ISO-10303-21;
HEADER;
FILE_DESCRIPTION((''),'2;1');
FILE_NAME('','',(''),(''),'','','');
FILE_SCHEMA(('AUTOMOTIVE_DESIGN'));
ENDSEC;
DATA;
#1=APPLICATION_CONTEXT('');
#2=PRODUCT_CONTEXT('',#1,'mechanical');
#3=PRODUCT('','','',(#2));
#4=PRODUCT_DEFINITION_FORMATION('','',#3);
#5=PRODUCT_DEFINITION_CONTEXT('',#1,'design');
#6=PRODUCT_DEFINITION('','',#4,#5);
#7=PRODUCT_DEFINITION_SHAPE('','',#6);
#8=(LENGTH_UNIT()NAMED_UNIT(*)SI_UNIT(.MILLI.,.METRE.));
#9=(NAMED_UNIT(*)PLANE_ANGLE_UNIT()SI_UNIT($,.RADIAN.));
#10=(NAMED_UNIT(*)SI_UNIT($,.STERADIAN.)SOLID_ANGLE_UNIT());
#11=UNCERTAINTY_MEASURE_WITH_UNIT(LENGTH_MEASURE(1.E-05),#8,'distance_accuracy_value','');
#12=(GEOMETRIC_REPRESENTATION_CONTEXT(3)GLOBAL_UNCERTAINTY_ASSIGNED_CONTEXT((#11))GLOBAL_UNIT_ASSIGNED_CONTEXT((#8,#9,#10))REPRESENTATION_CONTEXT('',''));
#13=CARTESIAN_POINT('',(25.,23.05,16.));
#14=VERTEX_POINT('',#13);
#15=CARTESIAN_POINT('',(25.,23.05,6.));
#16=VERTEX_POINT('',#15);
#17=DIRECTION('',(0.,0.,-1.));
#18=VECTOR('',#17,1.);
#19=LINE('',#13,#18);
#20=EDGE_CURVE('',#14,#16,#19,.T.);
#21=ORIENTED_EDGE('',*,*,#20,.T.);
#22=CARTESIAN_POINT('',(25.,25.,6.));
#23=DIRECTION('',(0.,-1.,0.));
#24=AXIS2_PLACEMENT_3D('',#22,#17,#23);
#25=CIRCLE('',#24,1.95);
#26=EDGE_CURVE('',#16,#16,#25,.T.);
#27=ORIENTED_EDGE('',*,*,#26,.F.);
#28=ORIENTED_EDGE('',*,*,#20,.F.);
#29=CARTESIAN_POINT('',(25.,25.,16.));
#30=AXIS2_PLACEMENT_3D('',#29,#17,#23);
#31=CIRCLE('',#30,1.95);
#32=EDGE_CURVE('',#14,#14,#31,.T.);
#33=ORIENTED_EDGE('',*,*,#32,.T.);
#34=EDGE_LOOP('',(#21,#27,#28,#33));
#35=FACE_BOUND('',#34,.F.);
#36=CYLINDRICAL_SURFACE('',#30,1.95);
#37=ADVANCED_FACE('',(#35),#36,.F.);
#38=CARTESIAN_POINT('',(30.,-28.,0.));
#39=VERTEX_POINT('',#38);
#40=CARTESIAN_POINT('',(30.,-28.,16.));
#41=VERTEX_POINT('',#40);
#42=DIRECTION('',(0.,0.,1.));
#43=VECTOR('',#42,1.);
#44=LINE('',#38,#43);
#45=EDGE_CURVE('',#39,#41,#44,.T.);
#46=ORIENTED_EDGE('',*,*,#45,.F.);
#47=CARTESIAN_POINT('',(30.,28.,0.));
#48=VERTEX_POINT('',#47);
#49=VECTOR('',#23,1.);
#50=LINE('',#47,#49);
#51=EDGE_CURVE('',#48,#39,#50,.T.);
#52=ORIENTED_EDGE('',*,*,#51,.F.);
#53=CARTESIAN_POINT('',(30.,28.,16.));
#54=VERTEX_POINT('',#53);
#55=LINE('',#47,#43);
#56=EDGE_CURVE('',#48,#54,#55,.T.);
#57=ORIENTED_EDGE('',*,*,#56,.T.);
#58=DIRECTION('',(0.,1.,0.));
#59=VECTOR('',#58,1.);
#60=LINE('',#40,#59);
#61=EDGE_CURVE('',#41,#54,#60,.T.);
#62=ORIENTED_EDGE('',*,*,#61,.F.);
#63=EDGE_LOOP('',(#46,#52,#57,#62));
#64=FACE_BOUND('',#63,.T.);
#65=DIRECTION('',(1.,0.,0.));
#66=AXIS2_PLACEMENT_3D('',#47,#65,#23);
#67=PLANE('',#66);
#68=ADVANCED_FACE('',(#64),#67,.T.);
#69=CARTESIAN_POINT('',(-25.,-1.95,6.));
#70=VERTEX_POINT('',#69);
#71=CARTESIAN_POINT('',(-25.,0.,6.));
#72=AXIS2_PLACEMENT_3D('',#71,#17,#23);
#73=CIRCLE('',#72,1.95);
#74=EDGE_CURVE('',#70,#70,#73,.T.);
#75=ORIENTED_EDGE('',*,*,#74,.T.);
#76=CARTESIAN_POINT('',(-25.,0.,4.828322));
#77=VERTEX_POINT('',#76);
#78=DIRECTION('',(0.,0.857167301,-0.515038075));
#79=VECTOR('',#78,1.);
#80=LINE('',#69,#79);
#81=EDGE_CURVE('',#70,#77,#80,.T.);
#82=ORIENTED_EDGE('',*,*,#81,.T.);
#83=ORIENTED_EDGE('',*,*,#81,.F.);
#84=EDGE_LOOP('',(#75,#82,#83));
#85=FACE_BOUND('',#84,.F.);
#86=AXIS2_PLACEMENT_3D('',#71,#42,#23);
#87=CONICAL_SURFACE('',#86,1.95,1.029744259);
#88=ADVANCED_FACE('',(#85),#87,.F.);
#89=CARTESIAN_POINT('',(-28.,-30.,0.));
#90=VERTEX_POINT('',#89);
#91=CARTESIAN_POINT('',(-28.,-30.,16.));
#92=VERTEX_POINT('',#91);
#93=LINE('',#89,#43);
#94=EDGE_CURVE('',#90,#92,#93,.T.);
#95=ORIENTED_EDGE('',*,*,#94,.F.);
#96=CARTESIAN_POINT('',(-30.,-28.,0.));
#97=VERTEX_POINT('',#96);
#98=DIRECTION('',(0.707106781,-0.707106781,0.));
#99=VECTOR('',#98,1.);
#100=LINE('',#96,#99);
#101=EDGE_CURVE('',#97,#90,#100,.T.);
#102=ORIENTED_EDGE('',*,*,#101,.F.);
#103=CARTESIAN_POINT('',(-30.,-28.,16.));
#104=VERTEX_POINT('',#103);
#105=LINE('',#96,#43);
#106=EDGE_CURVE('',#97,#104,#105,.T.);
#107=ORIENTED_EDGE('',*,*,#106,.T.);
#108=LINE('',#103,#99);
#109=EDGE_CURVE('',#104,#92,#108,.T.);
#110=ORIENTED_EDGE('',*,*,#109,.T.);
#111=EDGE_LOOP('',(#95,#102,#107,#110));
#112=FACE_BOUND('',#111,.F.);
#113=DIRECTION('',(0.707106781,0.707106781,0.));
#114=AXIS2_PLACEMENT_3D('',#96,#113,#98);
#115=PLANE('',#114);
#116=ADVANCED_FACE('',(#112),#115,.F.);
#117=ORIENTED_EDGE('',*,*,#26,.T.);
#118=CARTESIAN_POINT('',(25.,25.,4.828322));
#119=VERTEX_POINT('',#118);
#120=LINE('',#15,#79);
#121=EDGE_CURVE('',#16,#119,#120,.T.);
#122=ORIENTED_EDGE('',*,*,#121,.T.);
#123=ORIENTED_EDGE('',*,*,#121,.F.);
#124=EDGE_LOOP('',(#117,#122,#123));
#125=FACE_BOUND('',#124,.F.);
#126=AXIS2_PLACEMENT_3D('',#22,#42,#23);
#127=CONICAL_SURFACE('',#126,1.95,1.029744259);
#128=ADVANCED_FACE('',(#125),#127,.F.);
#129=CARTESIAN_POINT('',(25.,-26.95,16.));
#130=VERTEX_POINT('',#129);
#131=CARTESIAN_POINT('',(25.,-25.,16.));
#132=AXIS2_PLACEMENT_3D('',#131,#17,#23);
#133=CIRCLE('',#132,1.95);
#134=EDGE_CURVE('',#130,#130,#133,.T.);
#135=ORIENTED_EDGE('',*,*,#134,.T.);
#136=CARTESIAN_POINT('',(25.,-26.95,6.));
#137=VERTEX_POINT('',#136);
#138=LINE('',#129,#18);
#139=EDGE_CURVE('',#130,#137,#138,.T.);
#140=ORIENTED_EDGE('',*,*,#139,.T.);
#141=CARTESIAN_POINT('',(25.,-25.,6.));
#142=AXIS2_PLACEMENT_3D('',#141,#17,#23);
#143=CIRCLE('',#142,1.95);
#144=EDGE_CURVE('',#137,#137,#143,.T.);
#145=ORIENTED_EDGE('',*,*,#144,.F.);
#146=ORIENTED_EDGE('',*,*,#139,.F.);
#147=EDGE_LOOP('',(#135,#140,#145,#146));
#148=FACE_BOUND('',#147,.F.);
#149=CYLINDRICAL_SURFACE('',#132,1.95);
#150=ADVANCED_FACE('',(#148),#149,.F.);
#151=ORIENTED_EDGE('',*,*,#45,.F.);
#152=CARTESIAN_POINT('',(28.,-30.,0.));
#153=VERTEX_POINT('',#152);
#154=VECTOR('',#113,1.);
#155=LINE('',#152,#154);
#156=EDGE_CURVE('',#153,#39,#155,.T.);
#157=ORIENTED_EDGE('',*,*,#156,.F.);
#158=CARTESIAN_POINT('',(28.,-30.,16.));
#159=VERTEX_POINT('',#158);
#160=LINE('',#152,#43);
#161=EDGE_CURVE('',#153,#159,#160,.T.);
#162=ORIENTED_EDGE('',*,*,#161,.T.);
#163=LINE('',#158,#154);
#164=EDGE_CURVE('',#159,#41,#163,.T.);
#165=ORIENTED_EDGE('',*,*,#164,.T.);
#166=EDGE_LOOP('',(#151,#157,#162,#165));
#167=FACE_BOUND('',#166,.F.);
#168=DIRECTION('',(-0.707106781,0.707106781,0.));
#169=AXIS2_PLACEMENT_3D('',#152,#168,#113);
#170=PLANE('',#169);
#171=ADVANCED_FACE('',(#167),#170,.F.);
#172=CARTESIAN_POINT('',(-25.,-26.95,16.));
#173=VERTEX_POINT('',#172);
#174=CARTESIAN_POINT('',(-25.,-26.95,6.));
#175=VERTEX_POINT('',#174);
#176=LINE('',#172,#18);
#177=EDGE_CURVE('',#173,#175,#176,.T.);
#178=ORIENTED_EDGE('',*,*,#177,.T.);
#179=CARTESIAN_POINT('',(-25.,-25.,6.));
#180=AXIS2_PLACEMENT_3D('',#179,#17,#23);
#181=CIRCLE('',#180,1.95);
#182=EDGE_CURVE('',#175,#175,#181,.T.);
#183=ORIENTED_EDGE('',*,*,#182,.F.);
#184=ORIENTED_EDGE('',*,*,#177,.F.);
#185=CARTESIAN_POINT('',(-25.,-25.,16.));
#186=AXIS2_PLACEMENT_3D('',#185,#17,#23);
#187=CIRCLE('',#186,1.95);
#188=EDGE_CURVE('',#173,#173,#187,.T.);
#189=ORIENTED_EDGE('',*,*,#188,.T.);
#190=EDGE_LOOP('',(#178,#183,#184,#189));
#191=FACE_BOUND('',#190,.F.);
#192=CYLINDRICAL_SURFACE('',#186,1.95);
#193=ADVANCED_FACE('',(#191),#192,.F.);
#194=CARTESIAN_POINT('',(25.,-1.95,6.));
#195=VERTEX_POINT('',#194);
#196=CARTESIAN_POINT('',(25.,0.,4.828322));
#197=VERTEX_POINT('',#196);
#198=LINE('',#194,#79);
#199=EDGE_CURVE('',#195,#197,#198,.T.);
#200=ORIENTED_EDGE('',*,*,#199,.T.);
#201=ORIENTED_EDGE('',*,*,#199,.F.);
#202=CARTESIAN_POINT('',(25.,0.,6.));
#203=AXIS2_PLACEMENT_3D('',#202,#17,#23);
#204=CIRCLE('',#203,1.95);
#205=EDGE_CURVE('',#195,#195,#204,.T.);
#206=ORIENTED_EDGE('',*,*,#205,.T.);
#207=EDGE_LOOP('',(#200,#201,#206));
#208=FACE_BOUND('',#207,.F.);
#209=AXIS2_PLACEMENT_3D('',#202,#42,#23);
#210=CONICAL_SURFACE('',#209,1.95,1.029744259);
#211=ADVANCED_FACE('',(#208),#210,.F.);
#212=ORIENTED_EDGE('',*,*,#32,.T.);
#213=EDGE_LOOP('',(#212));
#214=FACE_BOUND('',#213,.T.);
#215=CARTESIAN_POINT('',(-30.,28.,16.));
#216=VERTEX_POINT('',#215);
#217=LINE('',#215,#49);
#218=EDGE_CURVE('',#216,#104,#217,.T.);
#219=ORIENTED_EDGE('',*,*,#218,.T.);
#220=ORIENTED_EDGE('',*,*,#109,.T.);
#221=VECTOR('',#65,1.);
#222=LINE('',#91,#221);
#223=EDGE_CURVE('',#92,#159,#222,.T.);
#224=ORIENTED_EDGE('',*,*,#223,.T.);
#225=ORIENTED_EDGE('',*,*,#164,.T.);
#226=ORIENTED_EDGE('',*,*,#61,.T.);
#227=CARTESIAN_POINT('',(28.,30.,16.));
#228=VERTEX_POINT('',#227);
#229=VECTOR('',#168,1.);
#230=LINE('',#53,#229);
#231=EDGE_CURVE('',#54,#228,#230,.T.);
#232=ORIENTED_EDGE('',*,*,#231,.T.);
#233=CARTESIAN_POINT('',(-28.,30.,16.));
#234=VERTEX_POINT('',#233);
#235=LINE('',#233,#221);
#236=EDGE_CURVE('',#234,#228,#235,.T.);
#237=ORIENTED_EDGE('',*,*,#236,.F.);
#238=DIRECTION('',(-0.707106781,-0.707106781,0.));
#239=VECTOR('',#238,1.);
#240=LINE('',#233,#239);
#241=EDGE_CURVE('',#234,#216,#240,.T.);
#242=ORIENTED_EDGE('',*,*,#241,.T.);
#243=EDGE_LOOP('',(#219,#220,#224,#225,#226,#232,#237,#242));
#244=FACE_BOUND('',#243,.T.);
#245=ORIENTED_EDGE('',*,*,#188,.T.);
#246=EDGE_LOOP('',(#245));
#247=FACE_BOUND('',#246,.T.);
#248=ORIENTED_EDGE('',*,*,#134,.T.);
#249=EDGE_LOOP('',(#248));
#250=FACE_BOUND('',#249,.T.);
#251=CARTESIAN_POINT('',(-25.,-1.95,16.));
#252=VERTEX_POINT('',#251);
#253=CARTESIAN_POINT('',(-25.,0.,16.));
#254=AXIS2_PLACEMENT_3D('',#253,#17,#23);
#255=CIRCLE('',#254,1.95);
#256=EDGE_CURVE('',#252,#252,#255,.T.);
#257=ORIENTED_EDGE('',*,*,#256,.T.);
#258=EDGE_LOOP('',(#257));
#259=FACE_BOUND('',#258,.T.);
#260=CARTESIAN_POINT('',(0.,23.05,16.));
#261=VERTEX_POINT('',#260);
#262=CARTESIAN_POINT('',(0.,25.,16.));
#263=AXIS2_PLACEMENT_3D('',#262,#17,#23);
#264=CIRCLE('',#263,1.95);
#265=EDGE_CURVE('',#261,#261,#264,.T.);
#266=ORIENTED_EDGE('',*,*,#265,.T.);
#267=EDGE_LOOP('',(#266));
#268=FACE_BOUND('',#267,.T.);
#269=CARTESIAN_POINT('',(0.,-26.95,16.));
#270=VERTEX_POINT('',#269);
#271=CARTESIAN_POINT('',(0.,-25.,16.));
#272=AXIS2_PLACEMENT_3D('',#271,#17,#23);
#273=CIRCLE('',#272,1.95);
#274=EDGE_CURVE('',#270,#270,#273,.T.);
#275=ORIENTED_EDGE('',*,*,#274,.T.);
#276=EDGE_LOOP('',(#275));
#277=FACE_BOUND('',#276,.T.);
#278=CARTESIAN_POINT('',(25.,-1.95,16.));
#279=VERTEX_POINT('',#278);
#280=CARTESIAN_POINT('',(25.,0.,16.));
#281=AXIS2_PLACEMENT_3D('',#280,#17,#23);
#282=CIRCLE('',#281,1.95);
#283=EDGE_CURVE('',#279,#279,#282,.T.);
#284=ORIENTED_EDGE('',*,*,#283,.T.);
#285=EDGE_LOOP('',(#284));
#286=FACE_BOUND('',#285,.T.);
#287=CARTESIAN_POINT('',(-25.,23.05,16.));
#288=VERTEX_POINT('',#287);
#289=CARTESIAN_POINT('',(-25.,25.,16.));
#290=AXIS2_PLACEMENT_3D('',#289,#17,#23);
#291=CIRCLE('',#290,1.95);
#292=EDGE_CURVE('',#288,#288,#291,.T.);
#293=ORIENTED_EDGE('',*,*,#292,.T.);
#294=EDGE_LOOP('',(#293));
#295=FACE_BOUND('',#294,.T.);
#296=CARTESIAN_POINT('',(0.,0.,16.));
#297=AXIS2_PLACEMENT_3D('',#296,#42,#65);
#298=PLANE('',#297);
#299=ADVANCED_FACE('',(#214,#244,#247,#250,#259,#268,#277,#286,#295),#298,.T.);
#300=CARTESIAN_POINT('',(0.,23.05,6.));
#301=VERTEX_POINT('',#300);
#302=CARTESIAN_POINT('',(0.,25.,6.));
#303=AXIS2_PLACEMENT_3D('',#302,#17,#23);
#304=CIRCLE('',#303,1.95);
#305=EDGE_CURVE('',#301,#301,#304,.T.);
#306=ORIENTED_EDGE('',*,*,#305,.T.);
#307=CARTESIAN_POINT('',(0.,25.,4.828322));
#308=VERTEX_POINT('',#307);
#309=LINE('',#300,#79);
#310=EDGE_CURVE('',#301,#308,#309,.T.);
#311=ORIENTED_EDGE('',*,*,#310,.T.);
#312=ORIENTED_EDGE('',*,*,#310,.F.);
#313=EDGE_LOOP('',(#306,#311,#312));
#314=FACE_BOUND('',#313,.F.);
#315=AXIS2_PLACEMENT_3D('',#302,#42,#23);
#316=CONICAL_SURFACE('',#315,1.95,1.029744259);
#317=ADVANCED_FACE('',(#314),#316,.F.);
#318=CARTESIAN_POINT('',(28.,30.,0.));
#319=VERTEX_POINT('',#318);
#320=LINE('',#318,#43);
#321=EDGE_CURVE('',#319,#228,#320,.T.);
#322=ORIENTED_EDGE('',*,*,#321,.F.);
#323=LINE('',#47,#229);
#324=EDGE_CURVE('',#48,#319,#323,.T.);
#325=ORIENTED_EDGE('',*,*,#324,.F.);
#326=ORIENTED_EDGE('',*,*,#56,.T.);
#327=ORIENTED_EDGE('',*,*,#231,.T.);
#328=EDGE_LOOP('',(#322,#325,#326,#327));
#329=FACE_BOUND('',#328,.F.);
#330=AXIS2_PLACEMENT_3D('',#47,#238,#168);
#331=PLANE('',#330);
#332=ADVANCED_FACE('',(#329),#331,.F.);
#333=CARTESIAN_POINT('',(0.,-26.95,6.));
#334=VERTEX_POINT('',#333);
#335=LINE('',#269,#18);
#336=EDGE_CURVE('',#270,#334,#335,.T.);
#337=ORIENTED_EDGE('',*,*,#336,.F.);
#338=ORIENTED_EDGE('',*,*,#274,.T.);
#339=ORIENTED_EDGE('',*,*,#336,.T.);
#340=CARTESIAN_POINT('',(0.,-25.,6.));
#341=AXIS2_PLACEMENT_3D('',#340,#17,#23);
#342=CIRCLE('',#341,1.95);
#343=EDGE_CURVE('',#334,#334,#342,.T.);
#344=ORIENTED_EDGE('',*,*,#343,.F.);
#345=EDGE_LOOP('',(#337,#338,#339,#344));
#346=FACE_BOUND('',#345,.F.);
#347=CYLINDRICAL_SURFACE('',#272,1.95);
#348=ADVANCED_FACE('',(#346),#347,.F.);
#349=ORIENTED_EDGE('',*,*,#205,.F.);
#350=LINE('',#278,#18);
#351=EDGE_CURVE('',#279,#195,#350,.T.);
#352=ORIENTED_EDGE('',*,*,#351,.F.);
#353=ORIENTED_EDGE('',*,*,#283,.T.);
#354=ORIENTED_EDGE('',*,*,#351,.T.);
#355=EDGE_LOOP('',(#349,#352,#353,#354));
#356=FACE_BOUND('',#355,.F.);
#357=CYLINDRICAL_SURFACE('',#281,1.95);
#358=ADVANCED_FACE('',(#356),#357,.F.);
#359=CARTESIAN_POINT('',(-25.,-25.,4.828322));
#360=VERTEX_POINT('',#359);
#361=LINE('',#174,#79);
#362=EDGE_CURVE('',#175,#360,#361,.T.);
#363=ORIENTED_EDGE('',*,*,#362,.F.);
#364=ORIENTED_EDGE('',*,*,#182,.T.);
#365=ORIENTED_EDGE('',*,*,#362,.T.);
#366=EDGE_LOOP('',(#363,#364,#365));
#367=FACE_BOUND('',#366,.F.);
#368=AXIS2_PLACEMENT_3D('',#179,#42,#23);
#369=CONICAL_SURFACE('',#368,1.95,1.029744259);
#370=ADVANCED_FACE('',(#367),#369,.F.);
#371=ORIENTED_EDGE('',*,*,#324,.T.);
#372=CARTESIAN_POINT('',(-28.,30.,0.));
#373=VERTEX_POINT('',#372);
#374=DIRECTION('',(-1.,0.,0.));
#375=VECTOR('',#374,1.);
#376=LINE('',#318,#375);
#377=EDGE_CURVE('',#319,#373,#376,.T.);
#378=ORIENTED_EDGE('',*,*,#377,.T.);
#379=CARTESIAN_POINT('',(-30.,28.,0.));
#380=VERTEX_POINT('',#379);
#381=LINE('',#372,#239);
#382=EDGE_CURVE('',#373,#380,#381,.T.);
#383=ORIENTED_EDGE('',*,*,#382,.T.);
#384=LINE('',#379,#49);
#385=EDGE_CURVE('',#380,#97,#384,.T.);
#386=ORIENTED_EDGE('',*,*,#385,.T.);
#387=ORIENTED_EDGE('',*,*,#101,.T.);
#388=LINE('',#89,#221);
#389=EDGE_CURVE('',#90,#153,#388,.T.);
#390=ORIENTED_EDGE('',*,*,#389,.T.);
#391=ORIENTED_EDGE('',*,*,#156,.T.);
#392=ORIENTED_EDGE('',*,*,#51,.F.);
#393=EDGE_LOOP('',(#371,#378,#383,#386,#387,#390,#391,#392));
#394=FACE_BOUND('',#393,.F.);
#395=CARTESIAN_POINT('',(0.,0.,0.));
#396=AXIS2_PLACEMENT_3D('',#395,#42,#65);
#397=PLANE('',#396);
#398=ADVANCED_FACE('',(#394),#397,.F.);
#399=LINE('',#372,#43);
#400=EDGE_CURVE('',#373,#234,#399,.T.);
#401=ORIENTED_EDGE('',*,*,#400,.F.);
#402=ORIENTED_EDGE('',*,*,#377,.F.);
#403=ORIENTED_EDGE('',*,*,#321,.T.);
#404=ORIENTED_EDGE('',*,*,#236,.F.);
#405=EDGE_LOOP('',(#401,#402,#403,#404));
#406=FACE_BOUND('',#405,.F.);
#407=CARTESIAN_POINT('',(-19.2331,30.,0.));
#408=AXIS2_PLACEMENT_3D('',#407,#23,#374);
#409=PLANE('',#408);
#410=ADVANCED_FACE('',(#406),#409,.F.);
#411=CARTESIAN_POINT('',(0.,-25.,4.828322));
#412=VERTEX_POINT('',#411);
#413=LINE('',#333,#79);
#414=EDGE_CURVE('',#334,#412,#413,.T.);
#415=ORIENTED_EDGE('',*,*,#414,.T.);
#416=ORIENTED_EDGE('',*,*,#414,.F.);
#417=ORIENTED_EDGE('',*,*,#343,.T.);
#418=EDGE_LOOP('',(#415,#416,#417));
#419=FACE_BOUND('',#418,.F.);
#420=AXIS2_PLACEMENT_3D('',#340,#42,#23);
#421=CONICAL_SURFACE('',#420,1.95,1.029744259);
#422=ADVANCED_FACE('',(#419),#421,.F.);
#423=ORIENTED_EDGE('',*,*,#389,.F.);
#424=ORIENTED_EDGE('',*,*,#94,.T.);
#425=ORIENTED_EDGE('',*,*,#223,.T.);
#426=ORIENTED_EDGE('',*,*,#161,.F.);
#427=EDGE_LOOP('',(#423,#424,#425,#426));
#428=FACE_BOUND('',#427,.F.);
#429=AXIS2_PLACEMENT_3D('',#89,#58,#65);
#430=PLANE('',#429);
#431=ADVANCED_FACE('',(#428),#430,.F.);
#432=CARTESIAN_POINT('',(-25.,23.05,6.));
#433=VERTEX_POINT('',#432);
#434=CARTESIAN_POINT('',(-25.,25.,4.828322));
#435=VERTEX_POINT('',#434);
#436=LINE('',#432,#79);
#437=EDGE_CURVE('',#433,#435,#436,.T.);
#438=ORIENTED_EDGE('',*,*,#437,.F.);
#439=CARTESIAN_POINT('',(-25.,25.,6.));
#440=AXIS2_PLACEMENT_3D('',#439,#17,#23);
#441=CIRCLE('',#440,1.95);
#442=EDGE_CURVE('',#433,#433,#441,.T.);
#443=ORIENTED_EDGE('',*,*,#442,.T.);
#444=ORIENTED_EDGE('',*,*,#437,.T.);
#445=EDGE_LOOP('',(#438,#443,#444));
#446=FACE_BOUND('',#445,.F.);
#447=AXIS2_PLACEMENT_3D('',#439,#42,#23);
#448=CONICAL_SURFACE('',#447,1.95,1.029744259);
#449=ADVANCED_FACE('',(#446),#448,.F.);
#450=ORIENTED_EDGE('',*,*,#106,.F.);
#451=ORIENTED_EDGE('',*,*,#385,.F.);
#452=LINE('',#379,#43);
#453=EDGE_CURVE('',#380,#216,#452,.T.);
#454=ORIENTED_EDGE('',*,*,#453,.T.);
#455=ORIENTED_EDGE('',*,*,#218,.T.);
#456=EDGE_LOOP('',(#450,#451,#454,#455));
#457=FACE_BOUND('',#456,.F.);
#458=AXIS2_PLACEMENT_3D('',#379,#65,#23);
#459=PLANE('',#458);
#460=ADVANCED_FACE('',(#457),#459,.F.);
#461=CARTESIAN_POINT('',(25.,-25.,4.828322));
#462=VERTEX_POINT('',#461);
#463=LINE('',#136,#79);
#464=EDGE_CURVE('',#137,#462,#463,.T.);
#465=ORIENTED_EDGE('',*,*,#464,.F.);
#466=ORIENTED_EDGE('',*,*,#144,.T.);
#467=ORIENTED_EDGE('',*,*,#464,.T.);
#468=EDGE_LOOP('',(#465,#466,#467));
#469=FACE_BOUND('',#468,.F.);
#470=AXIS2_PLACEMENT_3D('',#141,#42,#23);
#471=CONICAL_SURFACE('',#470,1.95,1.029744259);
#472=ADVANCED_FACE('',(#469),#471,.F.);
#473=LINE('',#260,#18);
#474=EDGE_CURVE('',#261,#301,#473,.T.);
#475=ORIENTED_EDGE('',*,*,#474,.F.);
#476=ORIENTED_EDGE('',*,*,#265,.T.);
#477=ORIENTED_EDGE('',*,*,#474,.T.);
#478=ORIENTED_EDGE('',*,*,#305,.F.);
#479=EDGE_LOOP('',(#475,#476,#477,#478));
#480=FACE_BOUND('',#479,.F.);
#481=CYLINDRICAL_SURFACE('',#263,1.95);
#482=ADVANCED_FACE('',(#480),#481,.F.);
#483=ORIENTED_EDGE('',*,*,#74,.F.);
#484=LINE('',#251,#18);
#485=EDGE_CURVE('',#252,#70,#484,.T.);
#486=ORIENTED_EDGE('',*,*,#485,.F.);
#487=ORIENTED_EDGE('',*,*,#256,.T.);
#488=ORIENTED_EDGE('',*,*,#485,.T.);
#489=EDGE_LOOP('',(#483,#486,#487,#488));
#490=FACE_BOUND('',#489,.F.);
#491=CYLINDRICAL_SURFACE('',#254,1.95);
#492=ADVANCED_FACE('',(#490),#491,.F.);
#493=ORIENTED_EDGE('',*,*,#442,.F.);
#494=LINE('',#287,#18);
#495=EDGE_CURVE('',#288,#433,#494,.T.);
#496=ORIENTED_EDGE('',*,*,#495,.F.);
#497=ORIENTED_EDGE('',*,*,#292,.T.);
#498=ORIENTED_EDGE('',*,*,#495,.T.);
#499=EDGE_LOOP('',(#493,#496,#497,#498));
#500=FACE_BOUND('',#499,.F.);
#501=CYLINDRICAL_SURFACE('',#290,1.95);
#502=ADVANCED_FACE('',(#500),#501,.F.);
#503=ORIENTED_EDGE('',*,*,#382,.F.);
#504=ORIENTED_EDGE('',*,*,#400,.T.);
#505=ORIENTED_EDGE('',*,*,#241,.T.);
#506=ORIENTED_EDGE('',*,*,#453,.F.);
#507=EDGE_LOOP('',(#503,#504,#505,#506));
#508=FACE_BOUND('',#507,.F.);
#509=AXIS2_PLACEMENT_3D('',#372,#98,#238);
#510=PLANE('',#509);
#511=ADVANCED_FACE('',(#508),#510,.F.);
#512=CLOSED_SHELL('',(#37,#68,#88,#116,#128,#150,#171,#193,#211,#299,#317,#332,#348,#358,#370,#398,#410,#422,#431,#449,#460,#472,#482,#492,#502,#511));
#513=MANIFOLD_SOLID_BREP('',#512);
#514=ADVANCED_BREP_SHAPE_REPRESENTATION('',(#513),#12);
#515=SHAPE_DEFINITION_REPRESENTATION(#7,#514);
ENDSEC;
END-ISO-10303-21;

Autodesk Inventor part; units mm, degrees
ref_plane "YZ Plane" through (0, 0, 0) normal (1, 0, 0) x (0, 1, 0)
ref_plane "XZ Plane" through (0, 0, 0) normal (0, 1, 0) x (-1, 0, 0)
ref_plane "XY Plane" through (0, 0, 0) normal (0, 0, 1) x (1, 0, 0)
ref_plane "Work Plane1" through (0, 0, 0) normal (0, 0, 1) x (1, 0, 0)
sketch "Sketch1" plane through (0, 0, 0) normal (0, 0, 1) x (1, 0, 0)
  line L0 (-28, 30) -> (-30, 28) projected
  line L1 (-30, 28) -> (-30, -28) projected
  line L2 (-30, -28) -> (-28, -30) projected
  line L3 (-28, -30) -> (28, -30) projected
  line L4 (28, -30) -> (30, -28) projected
  line L5 (30, -28) -> (30, -17.7934) projected
  line L6 (30, 28) -> (28, 30) projected
  line L7 (28, 30) -> (17.7934, 30) projected
  line L8 (-25, -25) -> (25, -25) construction
  line L9 (25, -25) -> (25, 25) construction
  line L10 (25, 25) -> (-25, 25) construction
  line L11 (-25, 25) -> (-25, -25) construction
  line L12 (-25, -25) -> (25, 25) construction
  line L13 (25, -25) -> (-25, 25) construction
  line L14 (30, -17.7934) -> (44, -17.7934) projected
  line L15 (44, -9.0511) -> (44, -17.7934) projected
  line L16 (30, -9.0511) -> (44, -9.0511) construction
  line L17 (30, -9.0511) -> (30, 8.3051) projected
  line L18 (30, 8.3051) -> (44, 8.3051) projected
  line L19 (44, 19.2331) -> (44, 8.3051) projected
  line L20 (30, 19.2331) -> (44, 19.2331) construction
  line L21 (30, 28) -> (30, -28) projected
  line L22 (17.7934, 30) -> (17.7934, 44) projected
  line L23 (9.0511, 44) -> (17.7934, 44) projected
  line L24 (9.0511, 30) -> (9.0511, 44) construction
  line L25 (-8.3051, 30) -> (-8.3051, 44) projected
  line L26 (-19.2331, 44) -> (-8.3051, 44) projected
  line L27 (-19.2331, 30) -> (-19.2331, 44) construction
  line L28 (-19.2331, 30) -> (-28, 30) projected
  line L29 (30, 19.2331) -> (30, 28) projected
  line L30 (9.0511, 30) -> (-8.3051, 30) projected
  line L31 (-28, 30) -> (28, 30) projected
  line L32 (25, 0) -> (-25, 0)
  point P0 (0, 0)
  dimension "d0" = 50
  dimension "d1" = 50
extrude "Extrusion1" add sketch "Sketch1" along normal blind 16
sketch "Sketch2" plane through (0, 0, 16) normal (0, 0, 1) x (1, 0, 0)
  line L0 (-25, -25) -> (25, -25)
  line L1 (25, -25) -> (25, 25)
  line L2 (25, 25) -> (-25, 25)
  line L3 (-25, 25) -> (-25, -25)
  line L4 (-25, -25) -> (25, 25) construction
  line L5 (25, -25) -> (-25, 25) construction
  point P0 (0, 0)
  point P1 (25, 0)
  point P2 (-25, 0)
  point P3 (0, 25)
  point P4 (0, -25)
  dimension "d4" = 50
  dimension "d5" = 50
hole "Hole1" at (25, 25, 16) at (25, -25, 16) at (-25, -25, 16) at (-25, 25, 16) at (-25, 0, 16) at (25, 0, 16) at (0, 25, 16) at (0, -25, 16) direction (0, 0, -1) diameter 3.9 depth 10 tip angle 118
properties part number "00_XY_stage-CHUO_SEIKI_LD-647-R1-Bottom"
